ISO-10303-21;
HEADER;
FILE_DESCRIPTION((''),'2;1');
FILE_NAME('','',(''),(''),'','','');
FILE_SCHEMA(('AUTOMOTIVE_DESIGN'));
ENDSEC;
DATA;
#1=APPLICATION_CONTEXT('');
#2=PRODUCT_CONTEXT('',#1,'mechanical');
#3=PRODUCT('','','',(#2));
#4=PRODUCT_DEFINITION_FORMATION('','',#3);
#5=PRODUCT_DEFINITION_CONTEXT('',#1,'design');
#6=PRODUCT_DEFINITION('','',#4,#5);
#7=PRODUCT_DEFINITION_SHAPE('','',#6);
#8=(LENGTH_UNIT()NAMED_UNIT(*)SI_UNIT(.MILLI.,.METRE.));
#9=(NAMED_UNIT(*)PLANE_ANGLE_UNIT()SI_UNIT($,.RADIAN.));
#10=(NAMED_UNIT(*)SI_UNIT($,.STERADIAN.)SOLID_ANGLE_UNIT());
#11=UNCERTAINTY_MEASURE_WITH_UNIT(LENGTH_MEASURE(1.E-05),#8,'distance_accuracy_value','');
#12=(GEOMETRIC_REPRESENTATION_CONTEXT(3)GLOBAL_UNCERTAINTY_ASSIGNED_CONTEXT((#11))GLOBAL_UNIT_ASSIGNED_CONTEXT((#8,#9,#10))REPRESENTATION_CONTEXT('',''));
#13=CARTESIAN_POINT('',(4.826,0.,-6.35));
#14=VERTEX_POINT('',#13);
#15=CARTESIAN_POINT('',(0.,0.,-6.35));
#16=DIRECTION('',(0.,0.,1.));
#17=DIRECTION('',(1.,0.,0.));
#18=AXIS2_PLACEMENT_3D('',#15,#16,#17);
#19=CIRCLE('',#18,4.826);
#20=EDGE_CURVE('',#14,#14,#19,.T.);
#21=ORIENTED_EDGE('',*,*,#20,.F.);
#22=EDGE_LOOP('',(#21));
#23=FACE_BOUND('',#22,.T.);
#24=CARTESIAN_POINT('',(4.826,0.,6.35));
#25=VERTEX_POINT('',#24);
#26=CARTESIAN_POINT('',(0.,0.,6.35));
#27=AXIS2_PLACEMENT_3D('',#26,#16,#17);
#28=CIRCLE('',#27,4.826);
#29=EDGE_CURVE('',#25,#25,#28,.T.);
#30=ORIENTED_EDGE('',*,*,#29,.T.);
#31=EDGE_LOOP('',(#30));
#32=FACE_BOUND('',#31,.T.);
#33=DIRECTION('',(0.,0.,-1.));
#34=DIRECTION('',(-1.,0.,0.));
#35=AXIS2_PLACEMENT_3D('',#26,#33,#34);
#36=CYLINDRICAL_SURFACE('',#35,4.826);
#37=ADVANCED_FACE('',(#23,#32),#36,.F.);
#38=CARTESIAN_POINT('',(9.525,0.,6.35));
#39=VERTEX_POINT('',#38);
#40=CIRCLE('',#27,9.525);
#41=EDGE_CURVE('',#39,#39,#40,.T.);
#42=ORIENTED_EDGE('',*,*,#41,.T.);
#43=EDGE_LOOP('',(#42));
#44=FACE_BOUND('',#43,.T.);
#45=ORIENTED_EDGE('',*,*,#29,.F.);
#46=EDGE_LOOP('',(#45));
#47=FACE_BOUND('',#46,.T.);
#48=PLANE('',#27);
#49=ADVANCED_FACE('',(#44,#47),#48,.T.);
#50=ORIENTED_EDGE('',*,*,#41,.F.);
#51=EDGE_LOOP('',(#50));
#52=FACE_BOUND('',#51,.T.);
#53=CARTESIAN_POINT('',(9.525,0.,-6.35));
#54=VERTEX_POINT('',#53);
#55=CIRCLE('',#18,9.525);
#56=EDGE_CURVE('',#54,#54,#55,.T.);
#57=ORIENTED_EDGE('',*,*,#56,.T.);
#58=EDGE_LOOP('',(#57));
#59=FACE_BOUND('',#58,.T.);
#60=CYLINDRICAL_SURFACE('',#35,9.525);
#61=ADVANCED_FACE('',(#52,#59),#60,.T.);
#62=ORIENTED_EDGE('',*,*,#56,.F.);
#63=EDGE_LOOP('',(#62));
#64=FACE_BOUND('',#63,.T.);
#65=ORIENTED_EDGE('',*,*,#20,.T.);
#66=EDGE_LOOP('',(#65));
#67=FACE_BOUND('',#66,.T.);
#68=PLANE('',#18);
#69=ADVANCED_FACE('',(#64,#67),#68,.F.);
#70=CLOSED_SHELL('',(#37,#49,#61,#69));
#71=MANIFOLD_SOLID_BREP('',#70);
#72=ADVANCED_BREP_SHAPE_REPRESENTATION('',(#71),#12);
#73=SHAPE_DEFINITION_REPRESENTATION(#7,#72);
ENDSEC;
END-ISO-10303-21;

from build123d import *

# Parameters (mm, degrees)
SKETCH1_R           = 9.525
SKETCH1_R_2         = 4.826
EXTRUDE1_DEPTH      = 6.35
EXTRUDE1_DEPTH_BACK = 6.35


with BuildPart() as part:
    # Sketch1 → Extrude1 (new body, two sides)
    with BuildSketch(Plane.XY) as extrude1_sk:
        Circle(SKETCH1_R)
        Circle(SKETCH1_R_2, mode=Mode.SUBTRACT)
    extrude(amount=EXTRUDE1_DEPTH)
    extrude(extrude1_sk.sketch, amount=-EXTRUDE1_DEPTH_BACK)


solid = part.part
